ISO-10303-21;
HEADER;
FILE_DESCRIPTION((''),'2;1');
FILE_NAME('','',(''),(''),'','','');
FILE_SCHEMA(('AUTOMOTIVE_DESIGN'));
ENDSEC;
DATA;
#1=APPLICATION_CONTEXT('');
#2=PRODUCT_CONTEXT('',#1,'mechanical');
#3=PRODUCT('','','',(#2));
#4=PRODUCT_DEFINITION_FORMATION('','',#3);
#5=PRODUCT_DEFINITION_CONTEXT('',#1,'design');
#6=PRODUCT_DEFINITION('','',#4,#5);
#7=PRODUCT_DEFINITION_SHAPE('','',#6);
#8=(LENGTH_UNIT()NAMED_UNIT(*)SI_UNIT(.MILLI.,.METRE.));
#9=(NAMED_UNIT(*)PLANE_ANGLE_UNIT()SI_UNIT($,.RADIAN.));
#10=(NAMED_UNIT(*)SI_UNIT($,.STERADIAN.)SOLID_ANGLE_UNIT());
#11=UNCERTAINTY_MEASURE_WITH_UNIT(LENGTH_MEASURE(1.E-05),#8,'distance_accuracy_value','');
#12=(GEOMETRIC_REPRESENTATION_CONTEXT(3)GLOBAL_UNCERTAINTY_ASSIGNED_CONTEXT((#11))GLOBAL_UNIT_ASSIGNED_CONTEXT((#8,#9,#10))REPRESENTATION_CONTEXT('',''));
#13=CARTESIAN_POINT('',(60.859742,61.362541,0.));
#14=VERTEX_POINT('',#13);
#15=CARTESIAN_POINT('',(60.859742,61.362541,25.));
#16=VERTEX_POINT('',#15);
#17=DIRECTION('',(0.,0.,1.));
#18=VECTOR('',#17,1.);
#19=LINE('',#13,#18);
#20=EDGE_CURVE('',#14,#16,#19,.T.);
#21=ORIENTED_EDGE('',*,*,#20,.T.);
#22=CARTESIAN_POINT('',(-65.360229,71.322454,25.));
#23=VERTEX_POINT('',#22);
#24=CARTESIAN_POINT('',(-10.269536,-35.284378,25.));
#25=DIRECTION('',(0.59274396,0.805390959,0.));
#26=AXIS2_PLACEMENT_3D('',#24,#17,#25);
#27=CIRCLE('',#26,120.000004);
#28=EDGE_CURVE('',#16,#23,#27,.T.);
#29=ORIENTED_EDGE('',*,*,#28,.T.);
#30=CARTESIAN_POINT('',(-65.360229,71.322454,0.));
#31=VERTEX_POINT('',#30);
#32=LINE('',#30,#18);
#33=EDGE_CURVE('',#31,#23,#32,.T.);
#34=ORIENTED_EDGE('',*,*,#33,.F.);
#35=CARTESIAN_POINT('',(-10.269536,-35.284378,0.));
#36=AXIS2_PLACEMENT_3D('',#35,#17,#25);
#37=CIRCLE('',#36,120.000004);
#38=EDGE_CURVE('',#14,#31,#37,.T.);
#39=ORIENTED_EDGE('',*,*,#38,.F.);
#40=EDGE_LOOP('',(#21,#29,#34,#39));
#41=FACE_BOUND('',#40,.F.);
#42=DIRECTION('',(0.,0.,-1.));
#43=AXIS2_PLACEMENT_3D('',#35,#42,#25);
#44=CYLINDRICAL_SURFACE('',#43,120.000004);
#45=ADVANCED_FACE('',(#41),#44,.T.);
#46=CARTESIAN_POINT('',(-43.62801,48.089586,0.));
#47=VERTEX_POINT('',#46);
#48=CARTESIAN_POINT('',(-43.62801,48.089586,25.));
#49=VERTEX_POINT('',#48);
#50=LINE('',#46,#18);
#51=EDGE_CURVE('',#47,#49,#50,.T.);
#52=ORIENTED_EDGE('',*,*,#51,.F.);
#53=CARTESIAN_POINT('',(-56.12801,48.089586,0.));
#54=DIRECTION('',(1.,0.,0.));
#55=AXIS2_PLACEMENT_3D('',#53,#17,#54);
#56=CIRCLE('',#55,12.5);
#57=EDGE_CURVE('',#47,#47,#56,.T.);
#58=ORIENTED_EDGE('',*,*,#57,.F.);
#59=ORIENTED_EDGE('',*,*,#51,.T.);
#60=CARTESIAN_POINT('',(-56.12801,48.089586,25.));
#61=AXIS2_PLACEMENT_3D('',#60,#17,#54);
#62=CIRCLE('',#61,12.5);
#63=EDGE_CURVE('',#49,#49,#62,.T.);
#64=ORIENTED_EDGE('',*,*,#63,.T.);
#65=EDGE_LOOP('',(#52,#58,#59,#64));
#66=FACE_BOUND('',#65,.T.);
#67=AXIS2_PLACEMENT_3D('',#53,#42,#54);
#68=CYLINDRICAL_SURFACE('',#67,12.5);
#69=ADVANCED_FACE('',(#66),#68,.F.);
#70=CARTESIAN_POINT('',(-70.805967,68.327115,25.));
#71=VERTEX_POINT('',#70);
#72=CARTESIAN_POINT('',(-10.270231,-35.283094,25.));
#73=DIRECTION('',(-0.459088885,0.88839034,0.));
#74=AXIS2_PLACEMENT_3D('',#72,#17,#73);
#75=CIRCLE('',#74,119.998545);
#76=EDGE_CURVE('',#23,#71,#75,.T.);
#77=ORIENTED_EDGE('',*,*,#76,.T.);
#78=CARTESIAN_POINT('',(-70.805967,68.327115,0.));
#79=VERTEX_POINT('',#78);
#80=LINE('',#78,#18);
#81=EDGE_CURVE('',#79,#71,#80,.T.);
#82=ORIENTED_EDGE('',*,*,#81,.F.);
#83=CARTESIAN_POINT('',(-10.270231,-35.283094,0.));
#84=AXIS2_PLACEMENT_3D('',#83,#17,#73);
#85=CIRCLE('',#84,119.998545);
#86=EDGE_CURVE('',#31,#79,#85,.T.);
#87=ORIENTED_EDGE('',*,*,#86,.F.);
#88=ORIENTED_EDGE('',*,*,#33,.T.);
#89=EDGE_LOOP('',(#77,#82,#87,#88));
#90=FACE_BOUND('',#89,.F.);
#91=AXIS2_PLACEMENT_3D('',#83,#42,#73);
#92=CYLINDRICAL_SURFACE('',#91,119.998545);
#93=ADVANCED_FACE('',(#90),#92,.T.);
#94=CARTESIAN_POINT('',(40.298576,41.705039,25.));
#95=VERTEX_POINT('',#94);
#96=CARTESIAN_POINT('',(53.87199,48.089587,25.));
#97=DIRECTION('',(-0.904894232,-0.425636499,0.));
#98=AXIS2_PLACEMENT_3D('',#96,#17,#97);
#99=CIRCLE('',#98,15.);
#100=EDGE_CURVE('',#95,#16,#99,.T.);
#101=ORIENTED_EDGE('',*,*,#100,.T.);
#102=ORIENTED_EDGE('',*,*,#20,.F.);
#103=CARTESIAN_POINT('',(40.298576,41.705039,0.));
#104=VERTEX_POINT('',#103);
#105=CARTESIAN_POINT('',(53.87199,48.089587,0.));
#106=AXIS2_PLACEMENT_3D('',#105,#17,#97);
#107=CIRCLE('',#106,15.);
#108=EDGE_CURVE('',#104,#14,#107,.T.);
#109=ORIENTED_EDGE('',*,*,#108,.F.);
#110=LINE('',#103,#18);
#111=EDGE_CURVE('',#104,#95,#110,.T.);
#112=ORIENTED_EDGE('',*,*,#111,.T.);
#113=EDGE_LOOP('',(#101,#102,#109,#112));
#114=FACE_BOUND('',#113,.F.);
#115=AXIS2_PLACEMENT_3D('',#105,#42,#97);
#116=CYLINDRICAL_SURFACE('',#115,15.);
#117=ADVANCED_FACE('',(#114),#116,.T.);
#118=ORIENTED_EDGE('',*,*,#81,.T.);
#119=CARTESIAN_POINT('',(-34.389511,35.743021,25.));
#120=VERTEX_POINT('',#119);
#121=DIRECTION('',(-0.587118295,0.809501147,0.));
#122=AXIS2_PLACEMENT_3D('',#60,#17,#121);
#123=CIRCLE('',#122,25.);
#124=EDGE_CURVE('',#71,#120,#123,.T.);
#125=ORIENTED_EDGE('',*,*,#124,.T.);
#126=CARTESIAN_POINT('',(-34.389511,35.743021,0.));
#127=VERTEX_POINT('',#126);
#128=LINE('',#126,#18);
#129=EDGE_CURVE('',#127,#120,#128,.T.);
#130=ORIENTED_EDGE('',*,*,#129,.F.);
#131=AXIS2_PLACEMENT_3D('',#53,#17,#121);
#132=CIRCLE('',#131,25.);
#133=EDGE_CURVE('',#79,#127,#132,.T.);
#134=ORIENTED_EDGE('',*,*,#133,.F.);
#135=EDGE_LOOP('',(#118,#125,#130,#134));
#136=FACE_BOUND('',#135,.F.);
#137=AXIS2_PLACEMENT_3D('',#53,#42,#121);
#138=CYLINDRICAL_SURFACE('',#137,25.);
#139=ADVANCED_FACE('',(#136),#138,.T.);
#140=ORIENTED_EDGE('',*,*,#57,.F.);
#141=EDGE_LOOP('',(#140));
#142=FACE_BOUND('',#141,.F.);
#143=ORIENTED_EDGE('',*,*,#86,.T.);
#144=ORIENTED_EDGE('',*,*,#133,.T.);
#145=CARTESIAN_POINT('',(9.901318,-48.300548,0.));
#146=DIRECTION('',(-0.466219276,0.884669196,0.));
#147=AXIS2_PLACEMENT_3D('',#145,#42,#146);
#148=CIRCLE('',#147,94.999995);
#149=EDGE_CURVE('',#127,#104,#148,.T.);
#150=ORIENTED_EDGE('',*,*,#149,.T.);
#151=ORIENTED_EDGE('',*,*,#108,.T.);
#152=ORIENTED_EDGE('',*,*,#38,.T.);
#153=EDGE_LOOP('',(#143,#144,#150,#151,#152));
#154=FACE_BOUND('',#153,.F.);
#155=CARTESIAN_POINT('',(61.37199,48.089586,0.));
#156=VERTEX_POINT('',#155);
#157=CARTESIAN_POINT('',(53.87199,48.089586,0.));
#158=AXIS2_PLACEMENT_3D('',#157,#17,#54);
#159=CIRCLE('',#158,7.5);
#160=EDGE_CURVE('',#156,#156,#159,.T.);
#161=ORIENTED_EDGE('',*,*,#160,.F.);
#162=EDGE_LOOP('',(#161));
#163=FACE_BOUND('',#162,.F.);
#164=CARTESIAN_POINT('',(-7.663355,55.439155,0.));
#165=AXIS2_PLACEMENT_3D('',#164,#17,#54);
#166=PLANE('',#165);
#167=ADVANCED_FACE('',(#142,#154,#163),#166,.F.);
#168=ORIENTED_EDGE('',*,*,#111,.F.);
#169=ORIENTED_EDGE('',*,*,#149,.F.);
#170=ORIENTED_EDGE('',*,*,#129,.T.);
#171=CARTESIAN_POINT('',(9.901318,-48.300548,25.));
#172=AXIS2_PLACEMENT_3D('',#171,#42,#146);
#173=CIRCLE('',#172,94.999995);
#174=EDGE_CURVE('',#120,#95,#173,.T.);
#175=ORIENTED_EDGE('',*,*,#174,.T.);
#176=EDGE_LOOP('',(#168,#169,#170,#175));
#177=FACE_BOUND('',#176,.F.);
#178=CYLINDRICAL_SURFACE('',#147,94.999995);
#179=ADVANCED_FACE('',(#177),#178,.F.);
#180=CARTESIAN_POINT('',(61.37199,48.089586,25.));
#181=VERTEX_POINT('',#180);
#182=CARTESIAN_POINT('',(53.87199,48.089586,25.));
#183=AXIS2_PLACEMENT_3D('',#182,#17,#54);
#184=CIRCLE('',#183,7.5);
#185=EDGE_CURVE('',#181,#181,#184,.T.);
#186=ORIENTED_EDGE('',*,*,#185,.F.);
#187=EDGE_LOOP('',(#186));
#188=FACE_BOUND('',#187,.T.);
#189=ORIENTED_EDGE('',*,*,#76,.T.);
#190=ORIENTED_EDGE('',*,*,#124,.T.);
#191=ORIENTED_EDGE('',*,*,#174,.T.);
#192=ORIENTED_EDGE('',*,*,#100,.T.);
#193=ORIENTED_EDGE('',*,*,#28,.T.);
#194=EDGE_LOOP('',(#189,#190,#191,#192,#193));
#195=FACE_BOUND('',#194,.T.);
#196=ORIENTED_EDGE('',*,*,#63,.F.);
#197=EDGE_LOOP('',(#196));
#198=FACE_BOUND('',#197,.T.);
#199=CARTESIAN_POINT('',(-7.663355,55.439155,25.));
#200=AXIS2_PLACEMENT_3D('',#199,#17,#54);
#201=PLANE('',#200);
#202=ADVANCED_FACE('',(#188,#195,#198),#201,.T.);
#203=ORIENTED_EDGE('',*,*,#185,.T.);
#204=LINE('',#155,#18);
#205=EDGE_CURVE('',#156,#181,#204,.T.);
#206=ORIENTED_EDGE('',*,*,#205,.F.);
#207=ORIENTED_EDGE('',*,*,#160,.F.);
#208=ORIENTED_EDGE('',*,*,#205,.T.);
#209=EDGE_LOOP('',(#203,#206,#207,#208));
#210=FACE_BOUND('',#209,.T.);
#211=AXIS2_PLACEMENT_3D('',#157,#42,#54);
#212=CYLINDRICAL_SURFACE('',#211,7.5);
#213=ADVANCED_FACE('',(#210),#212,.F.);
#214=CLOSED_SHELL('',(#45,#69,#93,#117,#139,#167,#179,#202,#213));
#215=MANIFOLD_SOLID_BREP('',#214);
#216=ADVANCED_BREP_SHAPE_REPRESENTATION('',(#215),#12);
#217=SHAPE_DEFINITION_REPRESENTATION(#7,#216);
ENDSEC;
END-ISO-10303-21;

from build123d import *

# Parameters (mm, degrees)
F0_R     = 12.5
F0_R_2   = 7.5
F1_DEPTH = 25


with BuildPart() as f1:
    # F0 (on Top) → F1 (new body)
    with BuildSketch(Plane.XY):
        with BuildLine():
            ThreePointArc((60.859742, 61.362541), (-0.829779, 84.343763), (-65.360229, 71.322454))
            ThreePointArc((-65.360229, 71.322454), (-68.102494, 69.860047), (-70.805967, 68.327115))
            ThreePointArc((-70.805967, 68.327115), (-72.798151, 29.458795), (-34.389511, 35.743021))
            ThreePointArc((-34.389511, 35.743021), (2.341937, 46.39821), (40.298576, 41.705039))
            ThreePointArc((40.298576, 41.705039), (64.237658, 37.247404), (60.859742, 61.362541))
        make_face()
        with Locations((-56.12801, 48.089586)):
            Circle(F0_R, mode=Mode.SUBTRACT)
        with Locations((53.87199, 48.089586)):
            Circle(F0_R_2, mode=Mode.SUBTRACT)
    extrude(amount=F1_DEPTH)


solid = f1.part
